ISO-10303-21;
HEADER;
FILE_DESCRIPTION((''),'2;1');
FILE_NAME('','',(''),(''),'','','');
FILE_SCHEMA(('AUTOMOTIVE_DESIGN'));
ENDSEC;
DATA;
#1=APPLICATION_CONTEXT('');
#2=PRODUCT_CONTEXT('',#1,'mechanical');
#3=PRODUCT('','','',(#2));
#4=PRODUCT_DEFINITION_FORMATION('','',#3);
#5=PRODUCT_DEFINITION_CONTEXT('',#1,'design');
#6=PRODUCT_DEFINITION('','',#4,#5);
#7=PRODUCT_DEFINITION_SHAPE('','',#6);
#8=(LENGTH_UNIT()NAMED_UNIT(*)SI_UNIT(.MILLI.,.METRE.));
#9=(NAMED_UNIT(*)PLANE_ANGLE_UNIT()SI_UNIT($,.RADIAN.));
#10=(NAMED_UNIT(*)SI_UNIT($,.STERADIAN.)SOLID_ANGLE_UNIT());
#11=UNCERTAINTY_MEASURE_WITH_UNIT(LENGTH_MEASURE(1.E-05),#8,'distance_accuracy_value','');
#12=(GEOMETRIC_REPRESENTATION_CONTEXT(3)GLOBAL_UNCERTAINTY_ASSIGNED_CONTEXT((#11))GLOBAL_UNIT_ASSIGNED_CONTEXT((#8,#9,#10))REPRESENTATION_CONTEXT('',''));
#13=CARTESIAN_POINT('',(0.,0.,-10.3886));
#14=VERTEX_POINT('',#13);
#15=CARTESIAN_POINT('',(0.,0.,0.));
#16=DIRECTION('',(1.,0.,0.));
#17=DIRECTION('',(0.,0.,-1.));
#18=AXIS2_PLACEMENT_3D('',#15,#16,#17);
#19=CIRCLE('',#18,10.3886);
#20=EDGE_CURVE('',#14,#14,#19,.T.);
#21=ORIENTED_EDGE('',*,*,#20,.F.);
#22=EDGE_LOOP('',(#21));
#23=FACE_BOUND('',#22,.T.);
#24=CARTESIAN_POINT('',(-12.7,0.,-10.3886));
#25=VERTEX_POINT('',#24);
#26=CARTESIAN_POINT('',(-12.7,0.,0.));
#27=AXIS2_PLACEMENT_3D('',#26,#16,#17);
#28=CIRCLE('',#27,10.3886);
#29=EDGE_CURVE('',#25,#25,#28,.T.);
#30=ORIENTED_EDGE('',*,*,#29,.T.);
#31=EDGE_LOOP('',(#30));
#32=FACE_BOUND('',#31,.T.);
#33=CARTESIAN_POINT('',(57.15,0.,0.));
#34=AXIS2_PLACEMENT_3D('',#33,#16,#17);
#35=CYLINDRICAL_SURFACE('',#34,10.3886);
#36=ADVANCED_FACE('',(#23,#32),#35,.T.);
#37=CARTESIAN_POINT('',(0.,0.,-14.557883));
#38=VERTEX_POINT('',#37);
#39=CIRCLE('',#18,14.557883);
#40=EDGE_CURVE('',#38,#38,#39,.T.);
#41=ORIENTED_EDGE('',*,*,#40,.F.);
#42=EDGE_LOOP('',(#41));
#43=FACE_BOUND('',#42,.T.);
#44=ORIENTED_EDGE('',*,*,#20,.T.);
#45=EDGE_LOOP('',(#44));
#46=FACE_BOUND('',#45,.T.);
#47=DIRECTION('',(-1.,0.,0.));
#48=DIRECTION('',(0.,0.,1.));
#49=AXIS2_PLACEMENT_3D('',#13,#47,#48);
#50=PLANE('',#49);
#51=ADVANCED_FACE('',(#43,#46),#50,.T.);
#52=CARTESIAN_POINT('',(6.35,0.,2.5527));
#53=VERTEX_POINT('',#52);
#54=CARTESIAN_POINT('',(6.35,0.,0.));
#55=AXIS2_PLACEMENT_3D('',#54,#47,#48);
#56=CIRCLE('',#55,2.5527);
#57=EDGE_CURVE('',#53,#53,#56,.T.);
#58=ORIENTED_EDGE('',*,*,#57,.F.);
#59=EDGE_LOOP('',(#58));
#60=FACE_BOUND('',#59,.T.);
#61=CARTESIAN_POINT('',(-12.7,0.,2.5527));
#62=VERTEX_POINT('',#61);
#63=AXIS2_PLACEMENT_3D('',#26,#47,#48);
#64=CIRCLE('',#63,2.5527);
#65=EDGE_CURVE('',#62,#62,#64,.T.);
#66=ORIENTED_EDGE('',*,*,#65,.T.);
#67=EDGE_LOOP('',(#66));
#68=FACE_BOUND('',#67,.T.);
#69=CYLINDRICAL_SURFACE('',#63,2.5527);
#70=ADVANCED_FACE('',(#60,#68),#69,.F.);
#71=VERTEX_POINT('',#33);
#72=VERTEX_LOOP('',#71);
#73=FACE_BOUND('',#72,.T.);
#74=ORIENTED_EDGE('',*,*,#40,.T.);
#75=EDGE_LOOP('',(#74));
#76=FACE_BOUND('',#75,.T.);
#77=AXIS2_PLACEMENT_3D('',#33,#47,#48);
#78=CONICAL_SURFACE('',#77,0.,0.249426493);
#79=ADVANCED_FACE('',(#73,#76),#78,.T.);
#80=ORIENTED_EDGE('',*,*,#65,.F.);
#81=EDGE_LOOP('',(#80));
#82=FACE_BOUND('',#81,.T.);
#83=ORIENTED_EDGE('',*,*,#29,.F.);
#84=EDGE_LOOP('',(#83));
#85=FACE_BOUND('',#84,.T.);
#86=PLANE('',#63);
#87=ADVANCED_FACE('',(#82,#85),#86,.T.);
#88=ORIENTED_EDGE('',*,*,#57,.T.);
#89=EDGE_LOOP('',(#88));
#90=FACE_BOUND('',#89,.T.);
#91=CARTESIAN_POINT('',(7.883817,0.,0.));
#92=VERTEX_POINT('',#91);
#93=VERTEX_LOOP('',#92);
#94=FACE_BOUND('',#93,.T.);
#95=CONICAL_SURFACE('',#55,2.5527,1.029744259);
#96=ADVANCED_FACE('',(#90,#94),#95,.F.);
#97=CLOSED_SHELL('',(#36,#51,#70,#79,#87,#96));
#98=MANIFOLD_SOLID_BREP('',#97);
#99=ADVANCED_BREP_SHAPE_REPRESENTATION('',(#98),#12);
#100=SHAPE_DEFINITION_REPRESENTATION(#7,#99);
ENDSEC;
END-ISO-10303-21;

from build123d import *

# Parameters (mm, degrees)
F_1_4_20_TAPPED_HOLE1_D     = 5.1054
F_1_4_20_TAPPED_HOLE1_DEPTH = 19.05
F_1_4_20_TAPPED_HOLE1_TIP   = 1.533816902


with BuildPart() as part:
    # Sketch1 → Revolve1 (revolve)
    with BuildSketch(Plane(origin=(0, 0, 0), x_dir=(1, 0, 0), z_dir=(0, 1, 0))):
        Polygon((0, 10.3886), (0, 14.557883), (57.15, 0), (0, 0), (-12.7, 0), (-12.7, 10.3886), align=None)
    revolve(axis=Axis((57.15, 0, 0), (-1, 0, 0)))

    # 1/4-20 Tapped Hole1
    with Locations(Plane.ZY.offset(12.7)):
        with Locations((0, 0)):
            Hole(F_1_4_20_TAPPED_HOLE1_D / 2, depth=F_1_4_20_TAPPED_HOLE1_DEPTH)
            with Locations((0, 0, -(F_1_4_20_TAPPED_HOLE1_DEPTH + F_1_4_20_TAPPED_HOLE1_TIP / 2))):  # 118° drill point
                Cone(0, F_1_4_20_TAPPED_HOLE1_D / 2, F_1_4_20_TAPPED_HOLE1_TIP, mode=Mode.SUBTRACT)


solid = part.part
